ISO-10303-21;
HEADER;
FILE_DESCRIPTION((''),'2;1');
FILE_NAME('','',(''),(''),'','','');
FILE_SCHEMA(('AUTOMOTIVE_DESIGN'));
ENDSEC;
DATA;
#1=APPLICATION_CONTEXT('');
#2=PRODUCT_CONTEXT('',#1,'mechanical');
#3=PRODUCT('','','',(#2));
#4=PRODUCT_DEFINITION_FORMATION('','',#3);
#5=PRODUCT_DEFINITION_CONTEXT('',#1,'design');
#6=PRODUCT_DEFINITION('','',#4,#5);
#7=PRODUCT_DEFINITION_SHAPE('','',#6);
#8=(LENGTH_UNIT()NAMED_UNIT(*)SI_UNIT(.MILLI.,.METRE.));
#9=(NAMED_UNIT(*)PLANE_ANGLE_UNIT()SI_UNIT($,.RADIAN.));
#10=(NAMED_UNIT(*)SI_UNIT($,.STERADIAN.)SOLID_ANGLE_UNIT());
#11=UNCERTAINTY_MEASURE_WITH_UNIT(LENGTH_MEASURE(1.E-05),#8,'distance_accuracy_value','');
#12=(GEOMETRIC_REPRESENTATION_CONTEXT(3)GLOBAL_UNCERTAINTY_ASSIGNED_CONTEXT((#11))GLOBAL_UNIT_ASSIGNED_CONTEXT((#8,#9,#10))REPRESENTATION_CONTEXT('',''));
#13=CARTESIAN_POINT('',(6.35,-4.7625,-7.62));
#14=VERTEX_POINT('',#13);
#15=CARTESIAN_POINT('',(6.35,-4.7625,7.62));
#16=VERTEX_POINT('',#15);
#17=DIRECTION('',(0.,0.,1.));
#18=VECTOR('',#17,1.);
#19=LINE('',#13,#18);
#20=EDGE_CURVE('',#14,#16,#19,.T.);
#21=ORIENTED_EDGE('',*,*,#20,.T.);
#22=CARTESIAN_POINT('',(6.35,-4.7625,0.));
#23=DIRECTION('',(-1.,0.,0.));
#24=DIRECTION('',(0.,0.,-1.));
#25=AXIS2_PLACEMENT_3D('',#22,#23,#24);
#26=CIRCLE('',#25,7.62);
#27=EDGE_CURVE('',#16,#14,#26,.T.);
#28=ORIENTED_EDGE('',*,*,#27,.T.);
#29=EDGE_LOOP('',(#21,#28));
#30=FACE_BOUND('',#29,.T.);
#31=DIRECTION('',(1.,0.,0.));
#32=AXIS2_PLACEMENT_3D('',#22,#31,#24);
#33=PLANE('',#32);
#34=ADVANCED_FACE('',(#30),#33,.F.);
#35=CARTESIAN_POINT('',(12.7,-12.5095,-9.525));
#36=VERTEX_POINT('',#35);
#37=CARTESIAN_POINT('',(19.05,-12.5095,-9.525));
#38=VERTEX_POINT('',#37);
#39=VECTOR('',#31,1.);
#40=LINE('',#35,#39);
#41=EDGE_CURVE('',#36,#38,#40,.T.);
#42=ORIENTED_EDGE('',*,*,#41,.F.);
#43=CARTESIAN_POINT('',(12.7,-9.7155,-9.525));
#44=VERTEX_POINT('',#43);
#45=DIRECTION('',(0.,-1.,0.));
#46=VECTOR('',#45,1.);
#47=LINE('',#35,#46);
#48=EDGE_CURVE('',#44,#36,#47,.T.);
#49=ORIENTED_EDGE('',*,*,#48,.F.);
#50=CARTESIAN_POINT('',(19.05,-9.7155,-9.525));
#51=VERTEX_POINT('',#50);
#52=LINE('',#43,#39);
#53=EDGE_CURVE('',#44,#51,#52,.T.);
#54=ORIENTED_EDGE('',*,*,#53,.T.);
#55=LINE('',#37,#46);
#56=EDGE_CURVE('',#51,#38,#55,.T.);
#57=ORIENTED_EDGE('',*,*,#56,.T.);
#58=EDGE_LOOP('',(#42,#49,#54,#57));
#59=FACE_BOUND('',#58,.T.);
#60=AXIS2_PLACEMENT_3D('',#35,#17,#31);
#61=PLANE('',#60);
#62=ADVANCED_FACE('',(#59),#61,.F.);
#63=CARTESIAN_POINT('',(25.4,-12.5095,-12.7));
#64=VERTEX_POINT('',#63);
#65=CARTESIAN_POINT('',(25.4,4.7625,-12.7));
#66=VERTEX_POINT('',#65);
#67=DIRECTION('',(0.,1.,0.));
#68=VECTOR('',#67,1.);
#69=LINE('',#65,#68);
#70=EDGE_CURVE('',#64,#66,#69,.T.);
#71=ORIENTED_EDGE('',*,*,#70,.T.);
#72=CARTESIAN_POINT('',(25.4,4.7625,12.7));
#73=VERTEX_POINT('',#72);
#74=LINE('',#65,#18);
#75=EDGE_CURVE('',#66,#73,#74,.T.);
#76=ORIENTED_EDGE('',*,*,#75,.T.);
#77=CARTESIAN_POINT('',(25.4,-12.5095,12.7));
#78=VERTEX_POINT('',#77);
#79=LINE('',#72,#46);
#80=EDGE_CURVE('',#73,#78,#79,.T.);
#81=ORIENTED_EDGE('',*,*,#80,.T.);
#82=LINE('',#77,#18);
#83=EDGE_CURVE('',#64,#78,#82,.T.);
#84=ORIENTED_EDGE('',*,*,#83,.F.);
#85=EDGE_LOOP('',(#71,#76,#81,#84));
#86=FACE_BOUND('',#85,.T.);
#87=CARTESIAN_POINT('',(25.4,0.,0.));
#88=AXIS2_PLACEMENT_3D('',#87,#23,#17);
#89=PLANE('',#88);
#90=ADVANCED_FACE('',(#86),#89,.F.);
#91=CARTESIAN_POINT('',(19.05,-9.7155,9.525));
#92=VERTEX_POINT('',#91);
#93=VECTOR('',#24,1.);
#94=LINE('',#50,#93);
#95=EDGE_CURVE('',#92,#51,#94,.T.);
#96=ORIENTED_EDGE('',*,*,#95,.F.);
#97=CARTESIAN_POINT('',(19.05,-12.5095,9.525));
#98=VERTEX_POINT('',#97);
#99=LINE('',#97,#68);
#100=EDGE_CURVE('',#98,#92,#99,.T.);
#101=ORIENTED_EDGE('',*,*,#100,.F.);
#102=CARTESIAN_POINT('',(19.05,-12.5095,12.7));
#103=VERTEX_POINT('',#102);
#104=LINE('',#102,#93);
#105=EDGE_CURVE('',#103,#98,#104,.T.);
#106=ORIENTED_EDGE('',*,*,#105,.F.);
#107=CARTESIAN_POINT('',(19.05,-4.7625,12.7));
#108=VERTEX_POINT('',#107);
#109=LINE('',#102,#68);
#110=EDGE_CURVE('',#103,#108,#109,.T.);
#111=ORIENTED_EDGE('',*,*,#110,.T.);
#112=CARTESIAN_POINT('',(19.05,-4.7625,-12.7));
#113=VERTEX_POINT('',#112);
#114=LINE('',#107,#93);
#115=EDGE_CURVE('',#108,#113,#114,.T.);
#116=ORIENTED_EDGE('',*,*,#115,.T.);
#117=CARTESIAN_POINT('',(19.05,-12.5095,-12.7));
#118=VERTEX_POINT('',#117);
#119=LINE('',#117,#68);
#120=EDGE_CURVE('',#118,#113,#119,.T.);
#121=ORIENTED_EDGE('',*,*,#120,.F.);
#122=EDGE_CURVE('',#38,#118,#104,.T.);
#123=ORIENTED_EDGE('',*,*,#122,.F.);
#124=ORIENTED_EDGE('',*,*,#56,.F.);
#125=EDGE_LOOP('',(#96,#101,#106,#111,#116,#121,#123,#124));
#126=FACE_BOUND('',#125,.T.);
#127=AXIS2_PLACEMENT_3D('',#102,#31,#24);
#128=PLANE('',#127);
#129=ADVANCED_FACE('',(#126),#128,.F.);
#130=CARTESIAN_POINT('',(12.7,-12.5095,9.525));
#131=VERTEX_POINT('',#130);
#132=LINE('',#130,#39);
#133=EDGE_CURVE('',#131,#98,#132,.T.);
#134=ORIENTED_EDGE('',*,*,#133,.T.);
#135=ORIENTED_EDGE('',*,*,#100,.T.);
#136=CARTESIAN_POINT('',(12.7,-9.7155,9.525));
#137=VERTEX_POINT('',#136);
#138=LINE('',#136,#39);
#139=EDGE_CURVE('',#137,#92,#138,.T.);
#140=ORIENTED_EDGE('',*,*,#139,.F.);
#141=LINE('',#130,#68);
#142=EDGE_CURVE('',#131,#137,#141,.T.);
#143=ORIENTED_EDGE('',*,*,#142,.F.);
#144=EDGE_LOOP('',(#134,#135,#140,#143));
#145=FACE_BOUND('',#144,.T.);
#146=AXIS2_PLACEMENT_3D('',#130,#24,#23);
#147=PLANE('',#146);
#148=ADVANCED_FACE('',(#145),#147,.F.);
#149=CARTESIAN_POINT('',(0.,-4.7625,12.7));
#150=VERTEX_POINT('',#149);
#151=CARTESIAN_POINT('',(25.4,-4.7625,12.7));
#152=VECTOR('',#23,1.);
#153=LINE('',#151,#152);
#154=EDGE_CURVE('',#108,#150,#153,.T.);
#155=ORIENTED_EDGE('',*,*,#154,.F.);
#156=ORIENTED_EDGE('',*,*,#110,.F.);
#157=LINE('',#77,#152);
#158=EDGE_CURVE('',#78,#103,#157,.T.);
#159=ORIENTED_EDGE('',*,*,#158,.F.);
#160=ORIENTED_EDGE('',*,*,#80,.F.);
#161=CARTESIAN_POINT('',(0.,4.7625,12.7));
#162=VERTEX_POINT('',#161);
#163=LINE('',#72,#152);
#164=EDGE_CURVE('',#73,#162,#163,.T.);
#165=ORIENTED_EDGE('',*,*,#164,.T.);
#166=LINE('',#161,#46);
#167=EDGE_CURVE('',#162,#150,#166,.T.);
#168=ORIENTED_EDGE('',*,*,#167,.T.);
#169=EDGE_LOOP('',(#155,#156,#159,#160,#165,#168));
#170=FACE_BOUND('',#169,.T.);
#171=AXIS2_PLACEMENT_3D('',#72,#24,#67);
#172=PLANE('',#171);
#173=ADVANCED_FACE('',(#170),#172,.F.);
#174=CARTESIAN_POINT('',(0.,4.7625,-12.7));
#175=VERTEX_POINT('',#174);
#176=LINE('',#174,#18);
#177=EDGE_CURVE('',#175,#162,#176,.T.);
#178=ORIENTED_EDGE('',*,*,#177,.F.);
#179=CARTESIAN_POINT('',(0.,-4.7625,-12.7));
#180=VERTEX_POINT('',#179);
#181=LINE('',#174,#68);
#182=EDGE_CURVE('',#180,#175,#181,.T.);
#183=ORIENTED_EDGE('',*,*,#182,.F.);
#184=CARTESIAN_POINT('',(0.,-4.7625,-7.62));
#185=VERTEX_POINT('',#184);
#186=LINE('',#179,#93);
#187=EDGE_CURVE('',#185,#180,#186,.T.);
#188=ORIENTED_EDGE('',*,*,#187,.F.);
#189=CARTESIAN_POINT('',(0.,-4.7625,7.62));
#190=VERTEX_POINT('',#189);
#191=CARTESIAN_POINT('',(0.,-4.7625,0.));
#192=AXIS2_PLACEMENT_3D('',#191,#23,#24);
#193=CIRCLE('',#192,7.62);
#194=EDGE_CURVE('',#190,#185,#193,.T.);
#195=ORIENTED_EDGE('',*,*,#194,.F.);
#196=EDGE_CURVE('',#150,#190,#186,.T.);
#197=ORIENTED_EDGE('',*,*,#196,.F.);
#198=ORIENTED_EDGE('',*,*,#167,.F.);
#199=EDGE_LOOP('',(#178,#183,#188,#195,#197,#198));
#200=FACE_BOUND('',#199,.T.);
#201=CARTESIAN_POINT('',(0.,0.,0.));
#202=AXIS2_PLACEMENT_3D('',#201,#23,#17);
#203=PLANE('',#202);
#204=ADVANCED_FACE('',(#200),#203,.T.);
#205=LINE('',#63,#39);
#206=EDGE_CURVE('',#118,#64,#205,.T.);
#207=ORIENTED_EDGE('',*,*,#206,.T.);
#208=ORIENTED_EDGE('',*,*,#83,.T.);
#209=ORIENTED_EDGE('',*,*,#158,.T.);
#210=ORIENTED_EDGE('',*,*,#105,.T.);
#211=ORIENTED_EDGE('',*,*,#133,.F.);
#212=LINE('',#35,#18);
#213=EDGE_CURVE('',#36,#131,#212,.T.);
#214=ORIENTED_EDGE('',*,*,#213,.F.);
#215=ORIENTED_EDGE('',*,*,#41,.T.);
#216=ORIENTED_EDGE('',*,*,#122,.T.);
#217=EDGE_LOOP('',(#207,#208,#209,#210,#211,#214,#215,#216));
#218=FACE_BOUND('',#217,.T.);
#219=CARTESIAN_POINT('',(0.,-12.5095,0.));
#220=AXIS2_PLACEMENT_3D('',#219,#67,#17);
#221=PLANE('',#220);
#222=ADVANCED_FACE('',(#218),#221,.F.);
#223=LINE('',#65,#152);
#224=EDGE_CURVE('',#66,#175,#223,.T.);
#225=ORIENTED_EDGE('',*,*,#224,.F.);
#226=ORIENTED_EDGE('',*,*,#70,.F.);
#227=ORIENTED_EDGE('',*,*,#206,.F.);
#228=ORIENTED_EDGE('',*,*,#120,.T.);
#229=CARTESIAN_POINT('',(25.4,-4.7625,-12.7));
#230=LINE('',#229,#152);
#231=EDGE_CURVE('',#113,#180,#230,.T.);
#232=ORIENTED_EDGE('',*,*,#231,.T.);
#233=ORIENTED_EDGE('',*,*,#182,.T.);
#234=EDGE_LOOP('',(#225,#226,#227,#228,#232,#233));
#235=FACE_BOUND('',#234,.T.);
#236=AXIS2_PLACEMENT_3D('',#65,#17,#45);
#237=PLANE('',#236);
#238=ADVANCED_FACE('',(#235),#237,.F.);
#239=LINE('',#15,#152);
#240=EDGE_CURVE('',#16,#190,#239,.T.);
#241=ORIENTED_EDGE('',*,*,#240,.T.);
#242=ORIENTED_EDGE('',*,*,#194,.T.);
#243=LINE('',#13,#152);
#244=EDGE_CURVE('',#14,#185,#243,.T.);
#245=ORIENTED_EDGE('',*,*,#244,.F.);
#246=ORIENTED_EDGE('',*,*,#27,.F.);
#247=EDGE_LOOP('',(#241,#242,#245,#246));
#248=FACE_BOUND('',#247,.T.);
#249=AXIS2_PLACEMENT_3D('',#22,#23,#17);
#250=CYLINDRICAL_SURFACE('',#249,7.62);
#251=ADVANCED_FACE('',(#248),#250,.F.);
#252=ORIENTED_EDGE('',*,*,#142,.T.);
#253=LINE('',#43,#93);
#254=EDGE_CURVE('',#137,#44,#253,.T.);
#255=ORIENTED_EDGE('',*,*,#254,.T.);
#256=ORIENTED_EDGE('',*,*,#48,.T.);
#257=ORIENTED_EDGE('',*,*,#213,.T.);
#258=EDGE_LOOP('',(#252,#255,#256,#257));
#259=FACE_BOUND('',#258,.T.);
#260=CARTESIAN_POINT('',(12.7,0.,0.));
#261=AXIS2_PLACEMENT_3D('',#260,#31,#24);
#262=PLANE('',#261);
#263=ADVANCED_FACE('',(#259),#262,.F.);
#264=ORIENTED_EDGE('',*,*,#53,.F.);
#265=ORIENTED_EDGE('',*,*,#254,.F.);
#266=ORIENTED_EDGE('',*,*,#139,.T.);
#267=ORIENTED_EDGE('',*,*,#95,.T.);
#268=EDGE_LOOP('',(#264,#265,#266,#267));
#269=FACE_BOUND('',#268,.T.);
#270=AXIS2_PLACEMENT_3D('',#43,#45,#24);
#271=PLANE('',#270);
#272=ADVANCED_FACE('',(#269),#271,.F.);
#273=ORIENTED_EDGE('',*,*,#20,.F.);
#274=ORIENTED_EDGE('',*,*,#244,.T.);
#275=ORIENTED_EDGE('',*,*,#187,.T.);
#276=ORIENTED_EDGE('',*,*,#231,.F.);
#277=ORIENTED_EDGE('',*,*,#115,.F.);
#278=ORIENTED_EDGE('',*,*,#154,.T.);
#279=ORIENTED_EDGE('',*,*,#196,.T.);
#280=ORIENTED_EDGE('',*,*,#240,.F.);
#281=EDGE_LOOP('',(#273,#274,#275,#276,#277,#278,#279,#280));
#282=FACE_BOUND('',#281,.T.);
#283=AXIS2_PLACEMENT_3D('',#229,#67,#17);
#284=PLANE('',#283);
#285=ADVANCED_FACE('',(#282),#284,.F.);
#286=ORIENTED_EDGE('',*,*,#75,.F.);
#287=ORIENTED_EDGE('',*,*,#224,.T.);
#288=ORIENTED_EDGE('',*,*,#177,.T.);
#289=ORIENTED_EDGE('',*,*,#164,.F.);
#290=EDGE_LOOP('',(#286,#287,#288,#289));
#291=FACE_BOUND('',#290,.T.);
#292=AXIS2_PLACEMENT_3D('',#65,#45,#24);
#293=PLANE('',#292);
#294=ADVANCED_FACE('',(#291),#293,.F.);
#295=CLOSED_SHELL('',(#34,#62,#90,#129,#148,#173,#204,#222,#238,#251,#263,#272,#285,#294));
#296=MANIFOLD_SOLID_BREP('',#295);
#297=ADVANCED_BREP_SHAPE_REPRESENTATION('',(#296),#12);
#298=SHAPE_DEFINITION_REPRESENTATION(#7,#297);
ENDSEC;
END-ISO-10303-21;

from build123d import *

# Parameters (mm, degrees)
SKETCH1_W           = 25.4
SKETCH1_H           = 9.525
BOSS_EXTRUDE1_DEPTH = 25.4
SKETCH2_W           = 6.35
SKETCH2_H           = 25.4
BOSS_EXTRUDE2_DEPTH = 7.747
SKETCH3_W           = 19.05
SKETCH3_H           = 2.794
BOSS_EXTRUDE3_DEPTH = 6.35
CUT_EXTRUDE1_DEPTH  = 6.35


with BuildPart() as part:
    # Sketch1 → Boss-Extrude1 (new body)
    with BuildSketch(Plane(origin=(0, 0, 0), x_dir=(0, 0, -1), z_dir=(1, 0, 0))):
        Rectangle(SKETCH1_W, SKETCH1_H)
    extrude(amount=BOSS_EXTRUDE1_DEPTH)

    # Sketch2 → Boss-Extrude2 (add)
    with BuildSketch(Plane.XZ.offset(4.7625)):
        with Locations((22.225, 0)):
            Rectangle(SKETCH2_W, SKETCH2_H)
    extrude(amount=BOSS_EXTRUDE2_DEPTH)

    # Sketch3 → Boss-Extrude3 (add)
    with BuildSketch(Plane.ZY.offset(-19.05)):
        with Locations((0, -11.1125)):
            Rectangle(SKETCH3_W, SKETCH3_H)
    extrude(amount=BOSS_EXTRUDE3_DEPTH)

    # Sketch4 → Cut-Extrude1 (cut)
    with BuildSketch(Plane.ZY):
        with BuildLine():
            Line((-7.62, -4.7625), (7.62, -4.7625))
            ThreePointArc((7.62, -4.7625), (0, 2.8575), (-7.62, -4.7625))
        make_face()
    extrude(amount=-CUT_EXTRUDE1_DEPTH, mode=Mode.SUBTRACT)


solid = part.part
